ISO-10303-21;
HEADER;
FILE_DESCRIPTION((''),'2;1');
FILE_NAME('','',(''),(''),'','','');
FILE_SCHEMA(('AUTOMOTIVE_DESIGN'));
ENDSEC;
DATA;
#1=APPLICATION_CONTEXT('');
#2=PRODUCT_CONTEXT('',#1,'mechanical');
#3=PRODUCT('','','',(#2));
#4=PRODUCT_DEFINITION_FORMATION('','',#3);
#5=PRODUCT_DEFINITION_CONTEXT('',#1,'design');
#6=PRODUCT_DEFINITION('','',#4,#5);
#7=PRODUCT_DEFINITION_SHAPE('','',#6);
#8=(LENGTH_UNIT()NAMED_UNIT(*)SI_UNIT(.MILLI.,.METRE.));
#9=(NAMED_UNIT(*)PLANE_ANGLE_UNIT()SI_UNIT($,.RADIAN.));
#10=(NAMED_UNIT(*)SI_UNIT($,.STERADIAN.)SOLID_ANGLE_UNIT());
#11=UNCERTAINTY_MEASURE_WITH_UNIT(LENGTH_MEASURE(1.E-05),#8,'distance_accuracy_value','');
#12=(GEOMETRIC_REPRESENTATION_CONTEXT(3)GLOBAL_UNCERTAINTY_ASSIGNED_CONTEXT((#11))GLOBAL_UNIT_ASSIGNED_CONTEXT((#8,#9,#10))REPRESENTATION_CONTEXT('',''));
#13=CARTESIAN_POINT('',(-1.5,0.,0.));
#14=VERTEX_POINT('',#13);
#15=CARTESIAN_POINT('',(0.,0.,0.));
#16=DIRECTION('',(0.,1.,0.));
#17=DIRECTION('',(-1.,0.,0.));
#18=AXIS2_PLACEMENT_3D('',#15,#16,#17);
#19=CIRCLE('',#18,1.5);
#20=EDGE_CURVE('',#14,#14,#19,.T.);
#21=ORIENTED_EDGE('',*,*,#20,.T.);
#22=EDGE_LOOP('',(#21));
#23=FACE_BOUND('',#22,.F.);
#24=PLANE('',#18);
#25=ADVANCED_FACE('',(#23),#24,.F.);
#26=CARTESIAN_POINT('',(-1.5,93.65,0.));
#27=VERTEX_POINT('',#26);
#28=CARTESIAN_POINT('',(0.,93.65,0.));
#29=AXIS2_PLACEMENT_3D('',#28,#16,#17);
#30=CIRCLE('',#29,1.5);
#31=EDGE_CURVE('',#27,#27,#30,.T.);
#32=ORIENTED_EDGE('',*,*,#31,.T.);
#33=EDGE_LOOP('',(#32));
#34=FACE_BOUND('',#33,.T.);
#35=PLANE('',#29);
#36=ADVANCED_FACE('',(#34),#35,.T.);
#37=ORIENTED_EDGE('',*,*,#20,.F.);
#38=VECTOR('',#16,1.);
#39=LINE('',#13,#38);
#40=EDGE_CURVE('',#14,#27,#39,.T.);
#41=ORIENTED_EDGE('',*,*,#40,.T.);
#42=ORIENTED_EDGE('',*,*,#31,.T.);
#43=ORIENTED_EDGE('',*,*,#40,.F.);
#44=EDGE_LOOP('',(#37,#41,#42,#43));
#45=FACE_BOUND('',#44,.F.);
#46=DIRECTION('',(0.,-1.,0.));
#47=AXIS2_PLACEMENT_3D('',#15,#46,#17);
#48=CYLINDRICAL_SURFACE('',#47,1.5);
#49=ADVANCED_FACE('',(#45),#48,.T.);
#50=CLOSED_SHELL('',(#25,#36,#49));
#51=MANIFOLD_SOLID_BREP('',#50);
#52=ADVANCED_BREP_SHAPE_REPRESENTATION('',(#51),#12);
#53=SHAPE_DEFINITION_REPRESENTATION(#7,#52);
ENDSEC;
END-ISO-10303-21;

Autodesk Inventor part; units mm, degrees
ref_plane "YZ Plane" through (0, 0, 0) normal (1, 0, 0) x (0, 1, 0)
ref_plane "XZ Plane" through (0, 0, 0) normal (0, 1, 0) x (-1, 0, 0)
ref_plane "XY Plane" through (0, 0, 0) normal (0, 0, 1) x (1, 0, 0)
sketch "Sketch1" plane through (0, 0, 0) normal (0, 1, 0) x (-1, 0, 0)
  circle A0 centre (0, 0) radius 1.5
  dimension "d0" = 3
extrude "Extrusion1" add sketch "Sketch1" along normal blind 93.65
properties part number "87.5mm Standoff" material "Nylon 6/6"
